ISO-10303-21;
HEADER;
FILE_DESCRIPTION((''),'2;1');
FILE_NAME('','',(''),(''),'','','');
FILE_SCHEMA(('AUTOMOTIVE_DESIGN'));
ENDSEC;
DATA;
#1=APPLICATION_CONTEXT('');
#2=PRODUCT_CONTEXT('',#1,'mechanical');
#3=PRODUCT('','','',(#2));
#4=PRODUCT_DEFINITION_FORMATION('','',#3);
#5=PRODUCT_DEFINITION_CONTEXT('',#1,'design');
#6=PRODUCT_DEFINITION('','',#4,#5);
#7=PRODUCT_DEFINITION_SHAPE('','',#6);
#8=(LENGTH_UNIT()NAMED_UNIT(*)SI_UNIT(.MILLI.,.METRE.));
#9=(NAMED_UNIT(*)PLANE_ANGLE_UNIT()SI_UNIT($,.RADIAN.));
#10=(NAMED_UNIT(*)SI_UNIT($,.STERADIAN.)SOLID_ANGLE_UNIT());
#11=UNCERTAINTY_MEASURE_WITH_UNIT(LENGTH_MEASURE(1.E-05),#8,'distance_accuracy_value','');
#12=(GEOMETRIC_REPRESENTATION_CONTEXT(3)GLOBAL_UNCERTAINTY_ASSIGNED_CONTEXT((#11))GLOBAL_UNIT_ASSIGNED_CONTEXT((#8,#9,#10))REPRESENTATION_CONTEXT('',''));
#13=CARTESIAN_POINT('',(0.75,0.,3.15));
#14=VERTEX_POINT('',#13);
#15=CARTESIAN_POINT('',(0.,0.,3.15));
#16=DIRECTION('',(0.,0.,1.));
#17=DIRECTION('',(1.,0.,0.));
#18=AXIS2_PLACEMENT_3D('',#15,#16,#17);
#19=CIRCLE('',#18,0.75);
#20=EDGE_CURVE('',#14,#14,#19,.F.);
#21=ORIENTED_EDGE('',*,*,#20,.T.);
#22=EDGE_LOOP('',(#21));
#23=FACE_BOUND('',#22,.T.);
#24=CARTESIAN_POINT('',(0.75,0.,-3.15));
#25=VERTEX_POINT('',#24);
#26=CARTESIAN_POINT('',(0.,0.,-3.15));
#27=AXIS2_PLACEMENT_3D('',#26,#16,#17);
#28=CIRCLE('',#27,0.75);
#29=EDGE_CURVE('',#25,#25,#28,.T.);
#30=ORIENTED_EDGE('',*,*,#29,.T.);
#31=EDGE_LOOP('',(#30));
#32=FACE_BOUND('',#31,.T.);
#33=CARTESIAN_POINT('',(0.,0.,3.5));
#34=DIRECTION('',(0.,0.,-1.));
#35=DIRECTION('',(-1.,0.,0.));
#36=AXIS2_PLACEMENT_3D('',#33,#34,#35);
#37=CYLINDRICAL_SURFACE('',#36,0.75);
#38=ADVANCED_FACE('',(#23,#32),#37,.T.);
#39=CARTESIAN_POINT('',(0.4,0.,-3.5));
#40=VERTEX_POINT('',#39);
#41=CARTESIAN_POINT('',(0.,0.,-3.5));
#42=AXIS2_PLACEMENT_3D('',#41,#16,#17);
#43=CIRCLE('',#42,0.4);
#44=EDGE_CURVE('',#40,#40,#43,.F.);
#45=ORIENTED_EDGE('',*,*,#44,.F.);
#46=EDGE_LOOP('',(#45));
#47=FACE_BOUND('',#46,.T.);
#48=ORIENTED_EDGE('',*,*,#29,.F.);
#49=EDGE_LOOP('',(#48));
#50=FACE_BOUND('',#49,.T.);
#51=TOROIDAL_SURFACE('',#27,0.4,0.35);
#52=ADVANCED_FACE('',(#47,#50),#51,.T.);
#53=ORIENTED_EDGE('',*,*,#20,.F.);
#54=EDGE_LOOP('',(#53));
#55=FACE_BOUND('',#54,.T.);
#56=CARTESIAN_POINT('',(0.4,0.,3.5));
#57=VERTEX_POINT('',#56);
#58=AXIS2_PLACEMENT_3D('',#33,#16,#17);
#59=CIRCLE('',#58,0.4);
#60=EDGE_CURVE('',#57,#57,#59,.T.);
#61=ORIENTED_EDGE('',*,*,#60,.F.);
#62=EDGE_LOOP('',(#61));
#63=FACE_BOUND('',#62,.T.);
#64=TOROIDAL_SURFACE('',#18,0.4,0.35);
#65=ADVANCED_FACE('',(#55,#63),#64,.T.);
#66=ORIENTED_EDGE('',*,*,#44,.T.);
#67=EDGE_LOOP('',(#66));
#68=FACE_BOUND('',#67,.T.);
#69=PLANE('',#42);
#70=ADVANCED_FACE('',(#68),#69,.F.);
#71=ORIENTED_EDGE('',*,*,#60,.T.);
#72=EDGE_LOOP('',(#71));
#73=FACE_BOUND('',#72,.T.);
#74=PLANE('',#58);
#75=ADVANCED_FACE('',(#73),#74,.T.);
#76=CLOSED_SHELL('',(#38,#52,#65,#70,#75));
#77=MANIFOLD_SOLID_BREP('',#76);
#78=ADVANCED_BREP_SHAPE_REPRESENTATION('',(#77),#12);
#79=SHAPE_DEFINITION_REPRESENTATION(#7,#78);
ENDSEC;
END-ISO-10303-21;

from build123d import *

# Parameters (mm, degrees)
SKETCH1_R           = 0.75
BOSS_EXTRUDE1_DEPTH = 3.5
FILLET1_R           = 0.35


with BuildPart() as part:
    # Sketch1 → Boss-Extrude1 (new body, symmetric)
    with BuildSketch(Plane.XY):
        Circle(SKETCH1_R)
    extrude(amount=BOSS_EXTRUDE1_DEPTH, both=True)

    # Fillet1
    fillet1_edges = [part.edges().sort_by_distance(p)[0] for p in [
        (-0.75, 0, -3.5),
        (-0.75, 0, 3.5),
    ]]
    fillet(fillet1_edges, radius=FILLET1_R)


solid = part.part
